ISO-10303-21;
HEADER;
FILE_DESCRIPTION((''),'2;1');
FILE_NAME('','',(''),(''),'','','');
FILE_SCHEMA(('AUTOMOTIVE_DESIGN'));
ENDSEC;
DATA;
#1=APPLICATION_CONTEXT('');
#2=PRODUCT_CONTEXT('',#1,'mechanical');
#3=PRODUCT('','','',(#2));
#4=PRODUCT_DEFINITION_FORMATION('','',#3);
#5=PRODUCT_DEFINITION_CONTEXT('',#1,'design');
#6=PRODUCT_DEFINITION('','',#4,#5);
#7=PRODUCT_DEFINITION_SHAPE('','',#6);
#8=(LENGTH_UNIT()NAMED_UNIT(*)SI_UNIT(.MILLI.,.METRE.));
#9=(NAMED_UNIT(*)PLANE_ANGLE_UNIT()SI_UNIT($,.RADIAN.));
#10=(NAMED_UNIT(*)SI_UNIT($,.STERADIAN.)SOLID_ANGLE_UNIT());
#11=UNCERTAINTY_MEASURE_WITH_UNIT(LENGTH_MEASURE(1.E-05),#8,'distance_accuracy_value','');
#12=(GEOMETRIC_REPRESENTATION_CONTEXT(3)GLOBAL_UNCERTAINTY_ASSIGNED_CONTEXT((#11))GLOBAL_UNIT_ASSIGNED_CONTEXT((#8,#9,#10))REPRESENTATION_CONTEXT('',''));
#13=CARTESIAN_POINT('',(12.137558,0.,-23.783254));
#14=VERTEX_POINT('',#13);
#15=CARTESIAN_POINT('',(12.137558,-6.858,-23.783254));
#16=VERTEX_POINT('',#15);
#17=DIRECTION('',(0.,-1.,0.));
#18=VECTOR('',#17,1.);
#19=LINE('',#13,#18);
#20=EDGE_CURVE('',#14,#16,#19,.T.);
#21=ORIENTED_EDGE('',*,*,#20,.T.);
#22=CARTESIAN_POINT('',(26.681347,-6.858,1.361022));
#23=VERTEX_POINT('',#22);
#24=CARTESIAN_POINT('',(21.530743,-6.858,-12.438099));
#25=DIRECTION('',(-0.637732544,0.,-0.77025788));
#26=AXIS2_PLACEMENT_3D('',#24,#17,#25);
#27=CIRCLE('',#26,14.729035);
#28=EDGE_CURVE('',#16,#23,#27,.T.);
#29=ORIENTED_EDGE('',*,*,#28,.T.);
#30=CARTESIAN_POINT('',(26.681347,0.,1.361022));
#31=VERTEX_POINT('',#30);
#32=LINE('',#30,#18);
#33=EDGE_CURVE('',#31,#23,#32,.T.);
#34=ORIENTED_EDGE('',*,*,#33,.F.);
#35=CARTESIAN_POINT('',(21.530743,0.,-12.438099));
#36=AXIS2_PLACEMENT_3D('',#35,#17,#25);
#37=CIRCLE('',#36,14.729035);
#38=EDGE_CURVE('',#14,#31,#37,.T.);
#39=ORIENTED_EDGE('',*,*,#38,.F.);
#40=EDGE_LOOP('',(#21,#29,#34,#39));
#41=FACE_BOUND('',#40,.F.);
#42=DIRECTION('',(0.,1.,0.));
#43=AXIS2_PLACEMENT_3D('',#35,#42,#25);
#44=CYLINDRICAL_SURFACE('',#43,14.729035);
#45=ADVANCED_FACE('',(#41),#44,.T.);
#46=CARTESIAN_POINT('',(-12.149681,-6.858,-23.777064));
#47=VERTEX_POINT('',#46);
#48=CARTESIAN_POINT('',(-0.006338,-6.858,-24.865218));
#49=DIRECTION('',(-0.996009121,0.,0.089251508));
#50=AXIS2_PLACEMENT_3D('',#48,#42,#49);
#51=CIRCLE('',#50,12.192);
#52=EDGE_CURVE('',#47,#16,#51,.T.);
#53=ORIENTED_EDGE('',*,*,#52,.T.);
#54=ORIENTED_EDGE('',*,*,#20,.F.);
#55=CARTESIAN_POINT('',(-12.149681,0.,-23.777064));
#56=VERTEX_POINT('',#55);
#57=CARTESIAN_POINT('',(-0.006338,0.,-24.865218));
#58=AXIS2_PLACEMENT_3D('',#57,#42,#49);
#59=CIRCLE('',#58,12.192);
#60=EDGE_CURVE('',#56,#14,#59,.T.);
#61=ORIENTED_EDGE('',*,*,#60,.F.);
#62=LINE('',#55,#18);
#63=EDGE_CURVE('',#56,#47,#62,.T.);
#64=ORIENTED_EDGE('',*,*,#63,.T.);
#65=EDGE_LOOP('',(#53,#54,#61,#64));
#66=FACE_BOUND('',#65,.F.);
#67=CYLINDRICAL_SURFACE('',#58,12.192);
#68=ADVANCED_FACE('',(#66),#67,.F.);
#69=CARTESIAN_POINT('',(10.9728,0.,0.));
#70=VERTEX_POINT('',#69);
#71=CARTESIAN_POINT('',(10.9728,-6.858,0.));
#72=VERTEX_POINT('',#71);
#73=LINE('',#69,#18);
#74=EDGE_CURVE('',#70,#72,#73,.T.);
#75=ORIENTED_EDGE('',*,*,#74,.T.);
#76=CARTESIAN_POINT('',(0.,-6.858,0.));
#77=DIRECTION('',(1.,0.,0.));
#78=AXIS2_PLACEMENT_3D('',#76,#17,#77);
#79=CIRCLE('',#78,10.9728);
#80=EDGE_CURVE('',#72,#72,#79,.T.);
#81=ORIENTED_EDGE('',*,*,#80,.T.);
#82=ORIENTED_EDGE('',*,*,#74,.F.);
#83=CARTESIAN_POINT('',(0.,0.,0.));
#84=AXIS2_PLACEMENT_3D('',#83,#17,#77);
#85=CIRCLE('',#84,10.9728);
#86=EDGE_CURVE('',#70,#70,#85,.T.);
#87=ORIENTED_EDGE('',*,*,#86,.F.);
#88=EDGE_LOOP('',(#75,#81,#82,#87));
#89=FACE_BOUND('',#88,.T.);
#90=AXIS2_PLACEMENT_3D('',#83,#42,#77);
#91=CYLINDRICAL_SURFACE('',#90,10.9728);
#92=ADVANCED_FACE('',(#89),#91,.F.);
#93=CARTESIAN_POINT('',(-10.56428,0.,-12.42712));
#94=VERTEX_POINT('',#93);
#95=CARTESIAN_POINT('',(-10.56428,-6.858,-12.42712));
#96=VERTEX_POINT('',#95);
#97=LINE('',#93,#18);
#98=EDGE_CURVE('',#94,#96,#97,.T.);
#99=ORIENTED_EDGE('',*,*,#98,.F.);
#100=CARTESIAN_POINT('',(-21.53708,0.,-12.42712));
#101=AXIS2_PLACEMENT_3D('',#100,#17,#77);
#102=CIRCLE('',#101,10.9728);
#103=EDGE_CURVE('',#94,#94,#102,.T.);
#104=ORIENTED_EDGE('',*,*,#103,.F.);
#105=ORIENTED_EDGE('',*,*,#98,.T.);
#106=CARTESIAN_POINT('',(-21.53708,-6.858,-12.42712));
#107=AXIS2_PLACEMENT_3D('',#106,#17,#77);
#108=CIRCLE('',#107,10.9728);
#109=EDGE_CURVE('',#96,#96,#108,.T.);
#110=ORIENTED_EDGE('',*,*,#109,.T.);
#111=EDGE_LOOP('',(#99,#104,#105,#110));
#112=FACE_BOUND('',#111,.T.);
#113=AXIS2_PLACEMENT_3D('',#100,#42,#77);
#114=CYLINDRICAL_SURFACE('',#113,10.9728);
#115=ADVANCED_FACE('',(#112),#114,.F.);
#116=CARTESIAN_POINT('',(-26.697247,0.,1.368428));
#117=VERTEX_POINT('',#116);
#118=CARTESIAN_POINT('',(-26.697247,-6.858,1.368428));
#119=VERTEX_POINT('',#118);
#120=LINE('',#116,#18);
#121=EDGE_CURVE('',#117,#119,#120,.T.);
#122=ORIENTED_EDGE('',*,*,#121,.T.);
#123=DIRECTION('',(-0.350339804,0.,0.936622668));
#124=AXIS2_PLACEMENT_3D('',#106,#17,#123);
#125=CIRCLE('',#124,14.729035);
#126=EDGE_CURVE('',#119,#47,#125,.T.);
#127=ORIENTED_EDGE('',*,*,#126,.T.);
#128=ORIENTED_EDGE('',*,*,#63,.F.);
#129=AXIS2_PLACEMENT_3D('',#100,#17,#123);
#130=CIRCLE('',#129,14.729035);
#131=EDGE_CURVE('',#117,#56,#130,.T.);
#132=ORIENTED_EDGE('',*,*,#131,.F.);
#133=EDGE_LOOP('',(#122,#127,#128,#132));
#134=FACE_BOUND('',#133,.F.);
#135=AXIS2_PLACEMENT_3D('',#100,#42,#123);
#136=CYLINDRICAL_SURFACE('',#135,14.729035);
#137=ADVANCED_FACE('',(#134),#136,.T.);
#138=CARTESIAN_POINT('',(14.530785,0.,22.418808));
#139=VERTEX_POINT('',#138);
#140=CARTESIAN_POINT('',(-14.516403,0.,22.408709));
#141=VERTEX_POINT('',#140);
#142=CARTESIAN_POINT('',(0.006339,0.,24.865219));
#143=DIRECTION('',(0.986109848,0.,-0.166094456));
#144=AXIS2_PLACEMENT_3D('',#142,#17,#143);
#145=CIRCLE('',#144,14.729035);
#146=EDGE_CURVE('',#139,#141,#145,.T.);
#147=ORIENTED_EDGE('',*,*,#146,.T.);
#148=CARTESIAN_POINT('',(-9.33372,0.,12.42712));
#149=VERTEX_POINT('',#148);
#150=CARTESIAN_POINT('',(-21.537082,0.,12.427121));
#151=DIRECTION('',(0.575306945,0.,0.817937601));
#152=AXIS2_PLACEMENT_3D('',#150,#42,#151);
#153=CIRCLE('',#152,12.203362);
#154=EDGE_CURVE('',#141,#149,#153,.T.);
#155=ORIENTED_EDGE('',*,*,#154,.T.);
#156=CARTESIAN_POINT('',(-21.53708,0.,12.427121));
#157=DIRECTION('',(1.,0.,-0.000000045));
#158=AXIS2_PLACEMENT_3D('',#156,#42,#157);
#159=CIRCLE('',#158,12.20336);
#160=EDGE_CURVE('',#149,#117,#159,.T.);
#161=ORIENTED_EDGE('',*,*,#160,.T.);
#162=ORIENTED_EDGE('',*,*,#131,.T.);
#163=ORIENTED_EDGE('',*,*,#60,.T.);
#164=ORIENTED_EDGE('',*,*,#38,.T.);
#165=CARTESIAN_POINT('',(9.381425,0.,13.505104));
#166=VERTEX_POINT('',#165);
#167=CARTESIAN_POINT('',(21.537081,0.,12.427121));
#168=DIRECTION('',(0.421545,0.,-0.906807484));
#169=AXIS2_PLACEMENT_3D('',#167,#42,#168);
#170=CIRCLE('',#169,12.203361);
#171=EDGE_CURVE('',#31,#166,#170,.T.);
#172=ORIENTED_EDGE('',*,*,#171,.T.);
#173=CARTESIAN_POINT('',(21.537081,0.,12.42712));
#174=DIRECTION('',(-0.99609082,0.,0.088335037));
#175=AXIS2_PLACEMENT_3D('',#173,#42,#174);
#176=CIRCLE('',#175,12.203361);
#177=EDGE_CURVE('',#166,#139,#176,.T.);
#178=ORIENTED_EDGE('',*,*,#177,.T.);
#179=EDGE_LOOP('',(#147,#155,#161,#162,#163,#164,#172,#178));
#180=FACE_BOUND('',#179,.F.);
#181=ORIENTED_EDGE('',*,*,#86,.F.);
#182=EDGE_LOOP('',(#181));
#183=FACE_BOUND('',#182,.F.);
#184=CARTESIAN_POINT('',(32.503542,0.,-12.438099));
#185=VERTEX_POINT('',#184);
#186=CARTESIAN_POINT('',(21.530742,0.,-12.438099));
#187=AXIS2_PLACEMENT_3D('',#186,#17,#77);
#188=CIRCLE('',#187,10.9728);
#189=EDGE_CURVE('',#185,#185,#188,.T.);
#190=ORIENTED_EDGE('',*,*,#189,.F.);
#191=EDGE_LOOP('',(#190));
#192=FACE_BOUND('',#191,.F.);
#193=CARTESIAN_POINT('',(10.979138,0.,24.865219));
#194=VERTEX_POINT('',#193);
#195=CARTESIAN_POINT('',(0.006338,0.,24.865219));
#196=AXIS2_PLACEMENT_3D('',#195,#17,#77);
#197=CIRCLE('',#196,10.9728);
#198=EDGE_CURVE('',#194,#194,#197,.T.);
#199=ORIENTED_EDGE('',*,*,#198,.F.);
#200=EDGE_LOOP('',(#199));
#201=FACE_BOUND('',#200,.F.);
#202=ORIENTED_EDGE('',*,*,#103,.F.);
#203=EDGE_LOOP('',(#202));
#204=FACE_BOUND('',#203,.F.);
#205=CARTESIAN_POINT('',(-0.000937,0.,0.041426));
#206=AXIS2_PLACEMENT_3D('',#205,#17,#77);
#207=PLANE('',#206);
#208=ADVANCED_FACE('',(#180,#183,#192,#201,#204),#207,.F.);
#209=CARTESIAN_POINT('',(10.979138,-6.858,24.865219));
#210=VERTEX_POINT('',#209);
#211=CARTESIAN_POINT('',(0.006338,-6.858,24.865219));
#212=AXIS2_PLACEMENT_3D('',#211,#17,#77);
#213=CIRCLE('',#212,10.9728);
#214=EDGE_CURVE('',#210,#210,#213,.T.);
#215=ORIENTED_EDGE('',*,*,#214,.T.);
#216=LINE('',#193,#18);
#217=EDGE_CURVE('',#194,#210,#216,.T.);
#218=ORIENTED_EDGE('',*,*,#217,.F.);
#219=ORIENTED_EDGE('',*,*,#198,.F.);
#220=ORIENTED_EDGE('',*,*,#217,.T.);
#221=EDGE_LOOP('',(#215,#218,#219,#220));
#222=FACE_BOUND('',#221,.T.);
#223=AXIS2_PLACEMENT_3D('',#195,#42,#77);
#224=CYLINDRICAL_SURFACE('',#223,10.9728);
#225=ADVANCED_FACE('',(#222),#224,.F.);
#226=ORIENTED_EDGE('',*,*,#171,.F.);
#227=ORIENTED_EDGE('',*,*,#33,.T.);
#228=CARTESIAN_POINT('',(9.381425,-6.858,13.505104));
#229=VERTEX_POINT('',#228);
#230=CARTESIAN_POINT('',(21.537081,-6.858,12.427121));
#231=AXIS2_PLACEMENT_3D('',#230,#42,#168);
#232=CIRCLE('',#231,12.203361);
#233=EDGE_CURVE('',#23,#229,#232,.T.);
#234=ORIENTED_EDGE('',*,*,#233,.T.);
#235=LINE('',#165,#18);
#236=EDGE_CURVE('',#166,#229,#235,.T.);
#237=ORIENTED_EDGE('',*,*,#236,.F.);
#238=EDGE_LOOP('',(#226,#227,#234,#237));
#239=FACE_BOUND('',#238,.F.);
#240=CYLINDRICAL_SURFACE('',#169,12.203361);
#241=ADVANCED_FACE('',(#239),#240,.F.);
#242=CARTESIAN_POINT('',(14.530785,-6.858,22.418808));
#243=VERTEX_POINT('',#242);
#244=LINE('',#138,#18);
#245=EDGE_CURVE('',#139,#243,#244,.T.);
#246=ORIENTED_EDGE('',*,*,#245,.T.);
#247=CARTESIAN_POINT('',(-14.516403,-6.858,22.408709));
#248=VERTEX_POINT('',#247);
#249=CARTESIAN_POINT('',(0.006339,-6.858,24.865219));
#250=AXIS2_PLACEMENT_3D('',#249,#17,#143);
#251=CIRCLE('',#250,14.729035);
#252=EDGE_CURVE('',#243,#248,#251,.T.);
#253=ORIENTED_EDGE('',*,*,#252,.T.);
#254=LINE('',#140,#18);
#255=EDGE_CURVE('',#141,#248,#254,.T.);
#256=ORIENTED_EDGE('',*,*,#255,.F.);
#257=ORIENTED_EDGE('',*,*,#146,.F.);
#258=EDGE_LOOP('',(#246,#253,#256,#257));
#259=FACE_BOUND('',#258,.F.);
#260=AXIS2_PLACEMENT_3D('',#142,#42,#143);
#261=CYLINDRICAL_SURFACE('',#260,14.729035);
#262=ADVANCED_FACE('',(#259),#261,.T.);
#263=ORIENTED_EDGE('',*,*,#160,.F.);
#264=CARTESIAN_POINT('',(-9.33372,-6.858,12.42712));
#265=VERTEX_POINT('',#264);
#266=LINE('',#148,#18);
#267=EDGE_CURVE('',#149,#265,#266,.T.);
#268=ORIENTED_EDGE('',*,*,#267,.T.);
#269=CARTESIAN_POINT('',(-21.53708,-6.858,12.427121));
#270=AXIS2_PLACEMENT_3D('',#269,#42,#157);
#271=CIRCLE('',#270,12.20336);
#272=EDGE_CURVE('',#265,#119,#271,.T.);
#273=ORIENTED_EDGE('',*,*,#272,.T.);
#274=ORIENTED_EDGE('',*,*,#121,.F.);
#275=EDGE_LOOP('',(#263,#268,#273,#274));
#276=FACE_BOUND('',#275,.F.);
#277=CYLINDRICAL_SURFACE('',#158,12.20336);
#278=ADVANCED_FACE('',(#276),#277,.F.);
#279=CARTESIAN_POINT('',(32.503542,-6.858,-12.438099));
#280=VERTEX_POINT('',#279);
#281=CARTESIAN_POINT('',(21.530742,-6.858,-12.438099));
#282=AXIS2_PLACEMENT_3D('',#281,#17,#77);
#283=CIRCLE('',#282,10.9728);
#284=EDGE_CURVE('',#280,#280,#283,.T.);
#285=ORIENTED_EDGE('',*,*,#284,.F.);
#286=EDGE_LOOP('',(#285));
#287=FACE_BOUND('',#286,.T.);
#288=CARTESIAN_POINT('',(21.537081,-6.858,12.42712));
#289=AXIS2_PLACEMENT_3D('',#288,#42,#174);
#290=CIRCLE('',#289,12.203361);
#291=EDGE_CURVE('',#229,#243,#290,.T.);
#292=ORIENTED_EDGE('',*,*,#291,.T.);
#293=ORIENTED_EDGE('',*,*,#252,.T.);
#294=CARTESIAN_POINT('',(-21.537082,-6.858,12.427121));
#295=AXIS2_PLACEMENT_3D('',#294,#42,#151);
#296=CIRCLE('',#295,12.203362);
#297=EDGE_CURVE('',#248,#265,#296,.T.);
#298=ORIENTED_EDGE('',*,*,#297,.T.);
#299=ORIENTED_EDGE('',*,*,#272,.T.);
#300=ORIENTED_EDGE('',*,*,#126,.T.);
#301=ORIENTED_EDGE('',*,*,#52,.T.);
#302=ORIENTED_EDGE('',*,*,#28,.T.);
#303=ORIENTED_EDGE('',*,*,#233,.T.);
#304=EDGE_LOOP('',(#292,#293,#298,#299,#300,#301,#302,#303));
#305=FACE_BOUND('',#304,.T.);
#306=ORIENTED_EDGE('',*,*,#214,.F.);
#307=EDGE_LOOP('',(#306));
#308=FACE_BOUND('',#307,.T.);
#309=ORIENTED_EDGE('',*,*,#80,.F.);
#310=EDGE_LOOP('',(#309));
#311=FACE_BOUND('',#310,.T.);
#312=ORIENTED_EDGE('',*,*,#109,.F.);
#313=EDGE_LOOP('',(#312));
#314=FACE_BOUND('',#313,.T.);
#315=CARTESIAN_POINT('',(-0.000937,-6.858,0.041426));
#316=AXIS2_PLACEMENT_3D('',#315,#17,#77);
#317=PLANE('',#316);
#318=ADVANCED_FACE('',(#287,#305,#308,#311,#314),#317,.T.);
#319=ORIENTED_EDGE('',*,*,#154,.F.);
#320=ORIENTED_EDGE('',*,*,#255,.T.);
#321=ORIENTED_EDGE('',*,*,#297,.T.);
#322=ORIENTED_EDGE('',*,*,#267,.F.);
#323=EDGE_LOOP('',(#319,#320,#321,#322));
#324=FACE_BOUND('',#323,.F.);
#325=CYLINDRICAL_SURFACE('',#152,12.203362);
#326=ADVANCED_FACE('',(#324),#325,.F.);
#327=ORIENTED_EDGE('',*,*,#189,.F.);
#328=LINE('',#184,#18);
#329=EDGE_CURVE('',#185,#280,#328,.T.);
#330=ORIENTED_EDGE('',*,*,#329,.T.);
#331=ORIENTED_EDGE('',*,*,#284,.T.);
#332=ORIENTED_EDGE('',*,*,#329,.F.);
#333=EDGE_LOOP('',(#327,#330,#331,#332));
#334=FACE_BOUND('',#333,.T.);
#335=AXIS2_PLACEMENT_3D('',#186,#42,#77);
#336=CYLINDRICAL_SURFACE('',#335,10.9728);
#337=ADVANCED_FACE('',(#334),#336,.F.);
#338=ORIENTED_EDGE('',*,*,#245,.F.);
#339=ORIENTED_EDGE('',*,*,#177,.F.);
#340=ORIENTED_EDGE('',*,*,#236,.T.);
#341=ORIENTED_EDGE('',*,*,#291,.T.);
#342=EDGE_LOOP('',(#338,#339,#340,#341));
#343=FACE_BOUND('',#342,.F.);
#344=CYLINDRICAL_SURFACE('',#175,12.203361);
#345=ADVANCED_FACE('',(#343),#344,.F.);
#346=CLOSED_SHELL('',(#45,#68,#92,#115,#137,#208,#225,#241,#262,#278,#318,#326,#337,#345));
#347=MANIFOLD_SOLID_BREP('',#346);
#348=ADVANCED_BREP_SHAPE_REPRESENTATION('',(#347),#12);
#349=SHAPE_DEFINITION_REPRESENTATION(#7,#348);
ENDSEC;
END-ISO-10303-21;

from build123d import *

# Parameters (mm, degrees)
F0_R     = 10.9728
F1_DEPTH = 6.858


with BuildPart() as f1:
    # F0 (on Front) → F1 (new body)
    with BuildSketch(Plane.XZ):
        with BuildLine():
            ThreePointArc((-14.516403, 22.408709), (-10.706617, 18.05056), (-9.33372, 12.42712))
            ThreePointArc((-9.33372, 12.42712), (-14.981524, 2.13408), (-26.697247, 1.368428))
            ThreePointArc((-26.697247, 1.368428), (-34.286249, -19.80297), (-12.149681, -23.777064))
            ThreePointArc((-12.149681, -23.777064), (-0.00323, -12.673219), (12.137558, -23.783254))
            ThreePointArc((12.137558, -23.783254), (34.280587, -19.812781), (26.681347, 1.361022))
            ThreePointArc((26.681347, 1.361022), (14.525692, 2.439006), (9.381425, 13.505104))
            ThreePointArc((9.381425, 13.505104), (10.970216, 18.531494), (14.530785, 22.418808))
            ThreePointArc((14.530785, 22.418808), (0.001217, 39.594253), (-14.516403, 22.408709))
        make_face()
        with Locations((-21.53708, -12.42712)):
            Circle(F0_R, mode=Mode.SUBTRACT)
        Circle(F0_R, mode=Mode.SUBTRACT)
        with Locations((21.530742, -12.438099)):
            Circle(F0_R, mode=Mode.SUBTRACT)
        with Locations((0.006338, 24.865219)):
            Circle(F0_R, mode=Mode.SUBTRACT)
    extrude(amount=F1_DEPTH)


solid = f1.part
